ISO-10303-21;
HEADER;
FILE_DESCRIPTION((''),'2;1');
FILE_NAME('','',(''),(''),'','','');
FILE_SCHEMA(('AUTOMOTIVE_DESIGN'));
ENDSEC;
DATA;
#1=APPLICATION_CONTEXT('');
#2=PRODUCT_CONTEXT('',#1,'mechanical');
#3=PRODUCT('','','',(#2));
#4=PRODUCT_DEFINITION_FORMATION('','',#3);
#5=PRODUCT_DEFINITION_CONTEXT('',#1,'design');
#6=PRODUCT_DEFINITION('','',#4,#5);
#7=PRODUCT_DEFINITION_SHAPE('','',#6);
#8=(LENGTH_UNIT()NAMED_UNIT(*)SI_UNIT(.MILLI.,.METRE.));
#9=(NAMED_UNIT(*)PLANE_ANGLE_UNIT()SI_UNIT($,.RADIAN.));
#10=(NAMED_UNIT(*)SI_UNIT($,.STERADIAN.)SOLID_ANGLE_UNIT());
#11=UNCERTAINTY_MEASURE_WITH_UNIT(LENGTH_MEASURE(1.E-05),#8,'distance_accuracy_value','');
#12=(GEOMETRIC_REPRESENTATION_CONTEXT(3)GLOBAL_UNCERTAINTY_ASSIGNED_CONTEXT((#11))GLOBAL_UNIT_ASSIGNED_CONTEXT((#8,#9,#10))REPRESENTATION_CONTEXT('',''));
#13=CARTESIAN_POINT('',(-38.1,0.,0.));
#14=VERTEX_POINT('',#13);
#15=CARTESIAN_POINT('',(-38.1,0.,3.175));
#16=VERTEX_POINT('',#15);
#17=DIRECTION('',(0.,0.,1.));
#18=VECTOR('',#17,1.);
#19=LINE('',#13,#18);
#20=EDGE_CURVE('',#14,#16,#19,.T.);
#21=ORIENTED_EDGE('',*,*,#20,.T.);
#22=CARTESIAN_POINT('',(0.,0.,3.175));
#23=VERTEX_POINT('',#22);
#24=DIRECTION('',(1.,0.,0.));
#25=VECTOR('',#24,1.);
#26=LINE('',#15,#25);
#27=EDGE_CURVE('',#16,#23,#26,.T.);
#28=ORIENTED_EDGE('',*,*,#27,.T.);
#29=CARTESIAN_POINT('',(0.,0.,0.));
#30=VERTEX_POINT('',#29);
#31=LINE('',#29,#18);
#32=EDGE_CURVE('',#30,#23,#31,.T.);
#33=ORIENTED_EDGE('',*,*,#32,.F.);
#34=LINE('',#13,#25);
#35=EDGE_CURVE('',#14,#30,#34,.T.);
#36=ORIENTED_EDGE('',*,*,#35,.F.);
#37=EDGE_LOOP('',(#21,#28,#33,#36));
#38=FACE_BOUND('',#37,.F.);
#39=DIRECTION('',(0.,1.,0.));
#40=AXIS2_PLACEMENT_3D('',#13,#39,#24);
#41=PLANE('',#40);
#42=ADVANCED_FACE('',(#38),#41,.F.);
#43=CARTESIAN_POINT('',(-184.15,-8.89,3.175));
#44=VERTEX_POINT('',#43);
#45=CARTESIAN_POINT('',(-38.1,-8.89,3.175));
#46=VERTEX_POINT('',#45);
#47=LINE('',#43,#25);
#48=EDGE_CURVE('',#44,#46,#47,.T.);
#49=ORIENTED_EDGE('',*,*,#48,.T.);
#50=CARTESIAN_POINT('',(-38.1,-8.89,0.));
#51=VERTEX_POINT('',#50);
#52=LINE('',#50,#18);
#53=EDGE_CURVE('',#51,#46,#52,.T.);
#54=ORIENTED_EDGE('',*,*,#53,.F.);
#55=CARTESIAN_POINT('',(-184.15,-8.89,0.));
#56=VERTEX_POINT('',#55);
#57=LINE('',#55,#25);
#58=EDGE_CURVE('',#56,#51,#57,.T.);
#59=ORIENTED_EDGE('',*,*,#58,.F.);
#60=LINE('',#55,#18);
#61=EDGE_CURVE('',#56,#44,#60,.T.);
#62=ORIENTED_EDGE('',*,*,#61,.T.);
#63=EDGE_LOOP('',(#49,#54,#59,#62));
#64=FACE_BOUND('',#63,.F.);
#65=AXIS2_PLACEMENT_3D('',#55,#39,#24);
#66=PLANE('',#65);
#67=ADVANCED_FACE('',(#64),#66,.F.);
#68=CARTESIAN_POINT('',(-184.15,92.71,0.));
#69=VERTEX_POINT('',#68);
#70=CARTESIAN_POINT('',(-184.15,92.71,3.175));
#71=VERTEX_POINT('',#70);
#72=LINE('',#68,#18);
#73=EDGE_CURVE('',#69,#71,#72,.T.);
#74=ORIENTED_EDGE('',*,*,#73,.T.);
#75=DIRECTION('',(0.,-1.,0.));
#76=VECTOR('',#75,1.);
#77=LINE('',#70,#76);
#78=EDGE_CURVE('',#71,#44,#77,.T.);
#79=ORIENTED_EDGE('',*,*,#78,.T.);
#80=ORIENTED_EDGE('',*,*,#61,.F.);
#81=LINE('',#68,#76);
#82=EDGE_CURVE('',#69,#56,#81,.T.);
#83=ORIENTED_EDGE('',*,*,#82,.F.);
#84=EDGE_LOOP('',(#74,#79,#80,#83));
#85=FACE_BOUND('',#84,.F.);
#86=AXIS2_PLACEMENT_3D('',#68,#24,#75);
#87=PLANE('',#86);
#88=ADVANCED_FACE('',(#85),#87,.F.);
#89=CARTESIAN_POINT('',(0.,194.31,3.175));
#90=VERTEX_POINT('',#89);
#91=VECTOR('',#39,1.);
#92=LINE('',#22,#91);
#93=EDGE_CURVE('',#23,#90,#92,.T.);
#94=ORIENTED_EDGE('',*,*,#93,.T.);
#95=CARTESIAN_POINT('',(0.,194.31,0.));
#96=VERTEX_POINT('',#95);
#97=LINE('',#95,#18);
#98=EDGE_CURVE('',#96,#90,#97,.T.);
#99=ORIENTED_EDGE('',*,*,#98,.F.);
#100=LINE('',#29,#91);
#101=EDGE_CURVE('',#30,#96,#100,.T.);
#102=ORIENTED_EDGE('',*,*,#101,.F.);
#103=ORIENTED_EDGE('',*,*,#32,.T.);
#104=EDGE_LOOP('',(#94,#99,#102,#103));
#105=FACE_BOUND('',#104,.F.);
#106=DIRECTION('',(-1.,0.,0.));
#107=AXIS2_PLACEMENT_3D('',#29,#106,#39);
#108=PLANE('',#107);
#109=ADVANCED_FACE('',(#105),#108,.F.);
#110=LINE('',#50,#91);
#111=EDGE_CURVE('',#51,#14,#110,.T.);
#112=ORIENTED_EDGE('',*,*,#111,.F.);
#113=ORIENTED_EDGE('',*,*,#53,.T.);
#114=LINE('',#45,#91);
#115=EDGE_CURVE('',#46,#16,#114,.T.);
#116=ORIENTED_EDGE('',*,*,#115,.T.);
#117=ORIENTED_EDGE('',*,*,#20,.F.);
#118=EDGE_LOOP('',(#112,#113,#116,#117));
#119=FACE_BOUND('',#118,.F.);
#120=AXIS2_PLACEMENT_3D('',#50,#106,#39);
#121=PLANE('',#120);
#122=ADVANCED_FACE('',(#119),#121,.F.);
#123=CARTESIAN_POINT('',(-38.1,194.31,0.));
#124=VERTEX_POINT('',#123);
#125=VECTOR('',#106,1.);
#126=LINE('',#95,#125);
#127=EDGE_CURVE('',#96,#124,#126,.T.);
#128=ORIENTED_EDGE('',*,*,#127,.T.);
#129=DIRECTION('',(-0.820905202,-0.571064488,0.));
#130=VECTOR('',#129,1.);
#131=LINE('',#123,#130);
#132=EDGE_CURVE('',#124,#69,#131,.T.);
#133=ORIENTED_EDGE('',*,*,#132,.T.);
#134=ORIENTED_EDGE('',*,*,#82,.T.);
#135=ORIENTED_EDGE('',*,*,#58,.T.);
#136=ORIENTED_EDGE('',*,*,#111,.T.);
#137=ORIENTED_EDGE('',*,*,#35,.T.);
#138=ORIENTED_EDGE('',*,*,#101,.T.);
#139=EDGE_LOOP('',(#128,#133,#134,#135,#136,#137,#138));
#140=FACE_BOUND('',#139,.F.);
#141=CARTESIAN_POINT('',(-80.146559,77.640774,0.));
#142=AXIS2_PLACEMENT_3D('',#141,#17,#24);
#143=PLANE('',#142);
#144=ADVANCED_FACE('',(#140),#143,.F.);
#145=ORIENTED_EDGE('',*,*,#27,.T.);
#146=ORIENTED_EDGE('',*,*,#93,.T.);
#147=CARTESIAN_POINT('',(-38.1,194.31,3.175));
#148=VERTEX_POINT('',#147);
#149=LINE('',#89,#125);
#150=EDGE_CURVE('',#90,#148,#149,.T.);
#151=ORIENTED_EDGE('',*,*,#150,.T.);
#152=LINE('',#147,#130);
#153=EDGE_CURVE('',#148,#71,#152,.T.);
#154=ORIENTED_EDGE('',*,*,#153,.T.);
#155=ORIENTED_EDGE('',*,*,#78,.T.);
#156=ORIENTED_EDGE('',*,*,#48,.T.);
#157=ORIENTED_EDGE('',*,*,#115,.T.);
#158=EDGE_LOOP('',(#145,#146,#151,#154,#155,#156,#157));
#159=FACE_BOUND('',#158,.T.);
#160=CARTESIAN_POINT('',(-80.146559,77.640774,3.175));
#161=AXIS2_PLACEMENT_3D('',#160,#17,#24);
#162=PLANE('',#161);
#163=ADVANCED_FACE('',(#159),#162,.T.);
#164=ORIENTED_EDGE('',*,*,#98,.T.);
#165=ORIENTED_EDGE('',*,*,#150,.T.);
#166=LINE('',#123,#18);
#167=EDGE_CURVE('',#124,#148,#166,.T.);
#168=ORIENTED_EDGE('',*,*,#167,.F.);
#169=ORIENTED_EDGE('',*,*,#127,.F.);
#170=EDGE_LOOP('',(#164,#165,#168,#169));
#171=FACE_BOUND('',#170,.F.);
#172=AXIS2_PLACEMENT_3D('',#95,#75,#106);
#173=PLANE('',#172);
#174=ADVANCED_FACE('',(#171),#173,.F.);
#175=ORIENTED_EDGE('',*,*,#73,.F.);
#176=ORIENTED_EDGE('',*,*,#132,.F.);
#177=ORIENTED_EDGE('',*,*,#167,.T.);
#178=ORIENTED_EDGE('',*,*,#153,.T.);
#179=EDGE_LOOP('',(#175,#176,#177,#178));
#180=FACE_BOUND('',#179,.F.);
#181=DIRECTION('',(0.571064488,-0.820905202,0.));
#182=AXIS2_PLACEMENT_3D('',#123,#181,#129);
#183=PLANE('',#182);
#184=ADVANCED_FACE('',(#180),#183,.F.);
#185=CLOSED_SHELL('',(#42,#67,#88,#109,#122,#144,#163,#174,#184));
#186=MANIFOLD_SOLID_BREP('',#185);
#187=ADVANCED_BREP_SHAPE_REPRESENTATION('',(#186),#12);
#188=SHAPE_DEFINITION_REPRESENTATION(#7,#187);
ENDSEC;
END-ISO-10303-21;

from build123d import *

# Parameters (mm, degrees)
BOSS_EXTRUDE1_DEPTH = 3.175


with BuildPart() as part:
    # Sketch1 → Boss-Extrude1 (new body)
    with BuildSketch(Plane.XY):
        Polygon((0, 0), (0, 194.31), (-38.1, 194.31), (-184.15, 92.71), (-184.15, -8.89), (-38.1, -8.89), (-38.1, 0), align=None)
    extrude(amount=BOSS_EXTRUDE1_DEPTH)


solid = part.part
